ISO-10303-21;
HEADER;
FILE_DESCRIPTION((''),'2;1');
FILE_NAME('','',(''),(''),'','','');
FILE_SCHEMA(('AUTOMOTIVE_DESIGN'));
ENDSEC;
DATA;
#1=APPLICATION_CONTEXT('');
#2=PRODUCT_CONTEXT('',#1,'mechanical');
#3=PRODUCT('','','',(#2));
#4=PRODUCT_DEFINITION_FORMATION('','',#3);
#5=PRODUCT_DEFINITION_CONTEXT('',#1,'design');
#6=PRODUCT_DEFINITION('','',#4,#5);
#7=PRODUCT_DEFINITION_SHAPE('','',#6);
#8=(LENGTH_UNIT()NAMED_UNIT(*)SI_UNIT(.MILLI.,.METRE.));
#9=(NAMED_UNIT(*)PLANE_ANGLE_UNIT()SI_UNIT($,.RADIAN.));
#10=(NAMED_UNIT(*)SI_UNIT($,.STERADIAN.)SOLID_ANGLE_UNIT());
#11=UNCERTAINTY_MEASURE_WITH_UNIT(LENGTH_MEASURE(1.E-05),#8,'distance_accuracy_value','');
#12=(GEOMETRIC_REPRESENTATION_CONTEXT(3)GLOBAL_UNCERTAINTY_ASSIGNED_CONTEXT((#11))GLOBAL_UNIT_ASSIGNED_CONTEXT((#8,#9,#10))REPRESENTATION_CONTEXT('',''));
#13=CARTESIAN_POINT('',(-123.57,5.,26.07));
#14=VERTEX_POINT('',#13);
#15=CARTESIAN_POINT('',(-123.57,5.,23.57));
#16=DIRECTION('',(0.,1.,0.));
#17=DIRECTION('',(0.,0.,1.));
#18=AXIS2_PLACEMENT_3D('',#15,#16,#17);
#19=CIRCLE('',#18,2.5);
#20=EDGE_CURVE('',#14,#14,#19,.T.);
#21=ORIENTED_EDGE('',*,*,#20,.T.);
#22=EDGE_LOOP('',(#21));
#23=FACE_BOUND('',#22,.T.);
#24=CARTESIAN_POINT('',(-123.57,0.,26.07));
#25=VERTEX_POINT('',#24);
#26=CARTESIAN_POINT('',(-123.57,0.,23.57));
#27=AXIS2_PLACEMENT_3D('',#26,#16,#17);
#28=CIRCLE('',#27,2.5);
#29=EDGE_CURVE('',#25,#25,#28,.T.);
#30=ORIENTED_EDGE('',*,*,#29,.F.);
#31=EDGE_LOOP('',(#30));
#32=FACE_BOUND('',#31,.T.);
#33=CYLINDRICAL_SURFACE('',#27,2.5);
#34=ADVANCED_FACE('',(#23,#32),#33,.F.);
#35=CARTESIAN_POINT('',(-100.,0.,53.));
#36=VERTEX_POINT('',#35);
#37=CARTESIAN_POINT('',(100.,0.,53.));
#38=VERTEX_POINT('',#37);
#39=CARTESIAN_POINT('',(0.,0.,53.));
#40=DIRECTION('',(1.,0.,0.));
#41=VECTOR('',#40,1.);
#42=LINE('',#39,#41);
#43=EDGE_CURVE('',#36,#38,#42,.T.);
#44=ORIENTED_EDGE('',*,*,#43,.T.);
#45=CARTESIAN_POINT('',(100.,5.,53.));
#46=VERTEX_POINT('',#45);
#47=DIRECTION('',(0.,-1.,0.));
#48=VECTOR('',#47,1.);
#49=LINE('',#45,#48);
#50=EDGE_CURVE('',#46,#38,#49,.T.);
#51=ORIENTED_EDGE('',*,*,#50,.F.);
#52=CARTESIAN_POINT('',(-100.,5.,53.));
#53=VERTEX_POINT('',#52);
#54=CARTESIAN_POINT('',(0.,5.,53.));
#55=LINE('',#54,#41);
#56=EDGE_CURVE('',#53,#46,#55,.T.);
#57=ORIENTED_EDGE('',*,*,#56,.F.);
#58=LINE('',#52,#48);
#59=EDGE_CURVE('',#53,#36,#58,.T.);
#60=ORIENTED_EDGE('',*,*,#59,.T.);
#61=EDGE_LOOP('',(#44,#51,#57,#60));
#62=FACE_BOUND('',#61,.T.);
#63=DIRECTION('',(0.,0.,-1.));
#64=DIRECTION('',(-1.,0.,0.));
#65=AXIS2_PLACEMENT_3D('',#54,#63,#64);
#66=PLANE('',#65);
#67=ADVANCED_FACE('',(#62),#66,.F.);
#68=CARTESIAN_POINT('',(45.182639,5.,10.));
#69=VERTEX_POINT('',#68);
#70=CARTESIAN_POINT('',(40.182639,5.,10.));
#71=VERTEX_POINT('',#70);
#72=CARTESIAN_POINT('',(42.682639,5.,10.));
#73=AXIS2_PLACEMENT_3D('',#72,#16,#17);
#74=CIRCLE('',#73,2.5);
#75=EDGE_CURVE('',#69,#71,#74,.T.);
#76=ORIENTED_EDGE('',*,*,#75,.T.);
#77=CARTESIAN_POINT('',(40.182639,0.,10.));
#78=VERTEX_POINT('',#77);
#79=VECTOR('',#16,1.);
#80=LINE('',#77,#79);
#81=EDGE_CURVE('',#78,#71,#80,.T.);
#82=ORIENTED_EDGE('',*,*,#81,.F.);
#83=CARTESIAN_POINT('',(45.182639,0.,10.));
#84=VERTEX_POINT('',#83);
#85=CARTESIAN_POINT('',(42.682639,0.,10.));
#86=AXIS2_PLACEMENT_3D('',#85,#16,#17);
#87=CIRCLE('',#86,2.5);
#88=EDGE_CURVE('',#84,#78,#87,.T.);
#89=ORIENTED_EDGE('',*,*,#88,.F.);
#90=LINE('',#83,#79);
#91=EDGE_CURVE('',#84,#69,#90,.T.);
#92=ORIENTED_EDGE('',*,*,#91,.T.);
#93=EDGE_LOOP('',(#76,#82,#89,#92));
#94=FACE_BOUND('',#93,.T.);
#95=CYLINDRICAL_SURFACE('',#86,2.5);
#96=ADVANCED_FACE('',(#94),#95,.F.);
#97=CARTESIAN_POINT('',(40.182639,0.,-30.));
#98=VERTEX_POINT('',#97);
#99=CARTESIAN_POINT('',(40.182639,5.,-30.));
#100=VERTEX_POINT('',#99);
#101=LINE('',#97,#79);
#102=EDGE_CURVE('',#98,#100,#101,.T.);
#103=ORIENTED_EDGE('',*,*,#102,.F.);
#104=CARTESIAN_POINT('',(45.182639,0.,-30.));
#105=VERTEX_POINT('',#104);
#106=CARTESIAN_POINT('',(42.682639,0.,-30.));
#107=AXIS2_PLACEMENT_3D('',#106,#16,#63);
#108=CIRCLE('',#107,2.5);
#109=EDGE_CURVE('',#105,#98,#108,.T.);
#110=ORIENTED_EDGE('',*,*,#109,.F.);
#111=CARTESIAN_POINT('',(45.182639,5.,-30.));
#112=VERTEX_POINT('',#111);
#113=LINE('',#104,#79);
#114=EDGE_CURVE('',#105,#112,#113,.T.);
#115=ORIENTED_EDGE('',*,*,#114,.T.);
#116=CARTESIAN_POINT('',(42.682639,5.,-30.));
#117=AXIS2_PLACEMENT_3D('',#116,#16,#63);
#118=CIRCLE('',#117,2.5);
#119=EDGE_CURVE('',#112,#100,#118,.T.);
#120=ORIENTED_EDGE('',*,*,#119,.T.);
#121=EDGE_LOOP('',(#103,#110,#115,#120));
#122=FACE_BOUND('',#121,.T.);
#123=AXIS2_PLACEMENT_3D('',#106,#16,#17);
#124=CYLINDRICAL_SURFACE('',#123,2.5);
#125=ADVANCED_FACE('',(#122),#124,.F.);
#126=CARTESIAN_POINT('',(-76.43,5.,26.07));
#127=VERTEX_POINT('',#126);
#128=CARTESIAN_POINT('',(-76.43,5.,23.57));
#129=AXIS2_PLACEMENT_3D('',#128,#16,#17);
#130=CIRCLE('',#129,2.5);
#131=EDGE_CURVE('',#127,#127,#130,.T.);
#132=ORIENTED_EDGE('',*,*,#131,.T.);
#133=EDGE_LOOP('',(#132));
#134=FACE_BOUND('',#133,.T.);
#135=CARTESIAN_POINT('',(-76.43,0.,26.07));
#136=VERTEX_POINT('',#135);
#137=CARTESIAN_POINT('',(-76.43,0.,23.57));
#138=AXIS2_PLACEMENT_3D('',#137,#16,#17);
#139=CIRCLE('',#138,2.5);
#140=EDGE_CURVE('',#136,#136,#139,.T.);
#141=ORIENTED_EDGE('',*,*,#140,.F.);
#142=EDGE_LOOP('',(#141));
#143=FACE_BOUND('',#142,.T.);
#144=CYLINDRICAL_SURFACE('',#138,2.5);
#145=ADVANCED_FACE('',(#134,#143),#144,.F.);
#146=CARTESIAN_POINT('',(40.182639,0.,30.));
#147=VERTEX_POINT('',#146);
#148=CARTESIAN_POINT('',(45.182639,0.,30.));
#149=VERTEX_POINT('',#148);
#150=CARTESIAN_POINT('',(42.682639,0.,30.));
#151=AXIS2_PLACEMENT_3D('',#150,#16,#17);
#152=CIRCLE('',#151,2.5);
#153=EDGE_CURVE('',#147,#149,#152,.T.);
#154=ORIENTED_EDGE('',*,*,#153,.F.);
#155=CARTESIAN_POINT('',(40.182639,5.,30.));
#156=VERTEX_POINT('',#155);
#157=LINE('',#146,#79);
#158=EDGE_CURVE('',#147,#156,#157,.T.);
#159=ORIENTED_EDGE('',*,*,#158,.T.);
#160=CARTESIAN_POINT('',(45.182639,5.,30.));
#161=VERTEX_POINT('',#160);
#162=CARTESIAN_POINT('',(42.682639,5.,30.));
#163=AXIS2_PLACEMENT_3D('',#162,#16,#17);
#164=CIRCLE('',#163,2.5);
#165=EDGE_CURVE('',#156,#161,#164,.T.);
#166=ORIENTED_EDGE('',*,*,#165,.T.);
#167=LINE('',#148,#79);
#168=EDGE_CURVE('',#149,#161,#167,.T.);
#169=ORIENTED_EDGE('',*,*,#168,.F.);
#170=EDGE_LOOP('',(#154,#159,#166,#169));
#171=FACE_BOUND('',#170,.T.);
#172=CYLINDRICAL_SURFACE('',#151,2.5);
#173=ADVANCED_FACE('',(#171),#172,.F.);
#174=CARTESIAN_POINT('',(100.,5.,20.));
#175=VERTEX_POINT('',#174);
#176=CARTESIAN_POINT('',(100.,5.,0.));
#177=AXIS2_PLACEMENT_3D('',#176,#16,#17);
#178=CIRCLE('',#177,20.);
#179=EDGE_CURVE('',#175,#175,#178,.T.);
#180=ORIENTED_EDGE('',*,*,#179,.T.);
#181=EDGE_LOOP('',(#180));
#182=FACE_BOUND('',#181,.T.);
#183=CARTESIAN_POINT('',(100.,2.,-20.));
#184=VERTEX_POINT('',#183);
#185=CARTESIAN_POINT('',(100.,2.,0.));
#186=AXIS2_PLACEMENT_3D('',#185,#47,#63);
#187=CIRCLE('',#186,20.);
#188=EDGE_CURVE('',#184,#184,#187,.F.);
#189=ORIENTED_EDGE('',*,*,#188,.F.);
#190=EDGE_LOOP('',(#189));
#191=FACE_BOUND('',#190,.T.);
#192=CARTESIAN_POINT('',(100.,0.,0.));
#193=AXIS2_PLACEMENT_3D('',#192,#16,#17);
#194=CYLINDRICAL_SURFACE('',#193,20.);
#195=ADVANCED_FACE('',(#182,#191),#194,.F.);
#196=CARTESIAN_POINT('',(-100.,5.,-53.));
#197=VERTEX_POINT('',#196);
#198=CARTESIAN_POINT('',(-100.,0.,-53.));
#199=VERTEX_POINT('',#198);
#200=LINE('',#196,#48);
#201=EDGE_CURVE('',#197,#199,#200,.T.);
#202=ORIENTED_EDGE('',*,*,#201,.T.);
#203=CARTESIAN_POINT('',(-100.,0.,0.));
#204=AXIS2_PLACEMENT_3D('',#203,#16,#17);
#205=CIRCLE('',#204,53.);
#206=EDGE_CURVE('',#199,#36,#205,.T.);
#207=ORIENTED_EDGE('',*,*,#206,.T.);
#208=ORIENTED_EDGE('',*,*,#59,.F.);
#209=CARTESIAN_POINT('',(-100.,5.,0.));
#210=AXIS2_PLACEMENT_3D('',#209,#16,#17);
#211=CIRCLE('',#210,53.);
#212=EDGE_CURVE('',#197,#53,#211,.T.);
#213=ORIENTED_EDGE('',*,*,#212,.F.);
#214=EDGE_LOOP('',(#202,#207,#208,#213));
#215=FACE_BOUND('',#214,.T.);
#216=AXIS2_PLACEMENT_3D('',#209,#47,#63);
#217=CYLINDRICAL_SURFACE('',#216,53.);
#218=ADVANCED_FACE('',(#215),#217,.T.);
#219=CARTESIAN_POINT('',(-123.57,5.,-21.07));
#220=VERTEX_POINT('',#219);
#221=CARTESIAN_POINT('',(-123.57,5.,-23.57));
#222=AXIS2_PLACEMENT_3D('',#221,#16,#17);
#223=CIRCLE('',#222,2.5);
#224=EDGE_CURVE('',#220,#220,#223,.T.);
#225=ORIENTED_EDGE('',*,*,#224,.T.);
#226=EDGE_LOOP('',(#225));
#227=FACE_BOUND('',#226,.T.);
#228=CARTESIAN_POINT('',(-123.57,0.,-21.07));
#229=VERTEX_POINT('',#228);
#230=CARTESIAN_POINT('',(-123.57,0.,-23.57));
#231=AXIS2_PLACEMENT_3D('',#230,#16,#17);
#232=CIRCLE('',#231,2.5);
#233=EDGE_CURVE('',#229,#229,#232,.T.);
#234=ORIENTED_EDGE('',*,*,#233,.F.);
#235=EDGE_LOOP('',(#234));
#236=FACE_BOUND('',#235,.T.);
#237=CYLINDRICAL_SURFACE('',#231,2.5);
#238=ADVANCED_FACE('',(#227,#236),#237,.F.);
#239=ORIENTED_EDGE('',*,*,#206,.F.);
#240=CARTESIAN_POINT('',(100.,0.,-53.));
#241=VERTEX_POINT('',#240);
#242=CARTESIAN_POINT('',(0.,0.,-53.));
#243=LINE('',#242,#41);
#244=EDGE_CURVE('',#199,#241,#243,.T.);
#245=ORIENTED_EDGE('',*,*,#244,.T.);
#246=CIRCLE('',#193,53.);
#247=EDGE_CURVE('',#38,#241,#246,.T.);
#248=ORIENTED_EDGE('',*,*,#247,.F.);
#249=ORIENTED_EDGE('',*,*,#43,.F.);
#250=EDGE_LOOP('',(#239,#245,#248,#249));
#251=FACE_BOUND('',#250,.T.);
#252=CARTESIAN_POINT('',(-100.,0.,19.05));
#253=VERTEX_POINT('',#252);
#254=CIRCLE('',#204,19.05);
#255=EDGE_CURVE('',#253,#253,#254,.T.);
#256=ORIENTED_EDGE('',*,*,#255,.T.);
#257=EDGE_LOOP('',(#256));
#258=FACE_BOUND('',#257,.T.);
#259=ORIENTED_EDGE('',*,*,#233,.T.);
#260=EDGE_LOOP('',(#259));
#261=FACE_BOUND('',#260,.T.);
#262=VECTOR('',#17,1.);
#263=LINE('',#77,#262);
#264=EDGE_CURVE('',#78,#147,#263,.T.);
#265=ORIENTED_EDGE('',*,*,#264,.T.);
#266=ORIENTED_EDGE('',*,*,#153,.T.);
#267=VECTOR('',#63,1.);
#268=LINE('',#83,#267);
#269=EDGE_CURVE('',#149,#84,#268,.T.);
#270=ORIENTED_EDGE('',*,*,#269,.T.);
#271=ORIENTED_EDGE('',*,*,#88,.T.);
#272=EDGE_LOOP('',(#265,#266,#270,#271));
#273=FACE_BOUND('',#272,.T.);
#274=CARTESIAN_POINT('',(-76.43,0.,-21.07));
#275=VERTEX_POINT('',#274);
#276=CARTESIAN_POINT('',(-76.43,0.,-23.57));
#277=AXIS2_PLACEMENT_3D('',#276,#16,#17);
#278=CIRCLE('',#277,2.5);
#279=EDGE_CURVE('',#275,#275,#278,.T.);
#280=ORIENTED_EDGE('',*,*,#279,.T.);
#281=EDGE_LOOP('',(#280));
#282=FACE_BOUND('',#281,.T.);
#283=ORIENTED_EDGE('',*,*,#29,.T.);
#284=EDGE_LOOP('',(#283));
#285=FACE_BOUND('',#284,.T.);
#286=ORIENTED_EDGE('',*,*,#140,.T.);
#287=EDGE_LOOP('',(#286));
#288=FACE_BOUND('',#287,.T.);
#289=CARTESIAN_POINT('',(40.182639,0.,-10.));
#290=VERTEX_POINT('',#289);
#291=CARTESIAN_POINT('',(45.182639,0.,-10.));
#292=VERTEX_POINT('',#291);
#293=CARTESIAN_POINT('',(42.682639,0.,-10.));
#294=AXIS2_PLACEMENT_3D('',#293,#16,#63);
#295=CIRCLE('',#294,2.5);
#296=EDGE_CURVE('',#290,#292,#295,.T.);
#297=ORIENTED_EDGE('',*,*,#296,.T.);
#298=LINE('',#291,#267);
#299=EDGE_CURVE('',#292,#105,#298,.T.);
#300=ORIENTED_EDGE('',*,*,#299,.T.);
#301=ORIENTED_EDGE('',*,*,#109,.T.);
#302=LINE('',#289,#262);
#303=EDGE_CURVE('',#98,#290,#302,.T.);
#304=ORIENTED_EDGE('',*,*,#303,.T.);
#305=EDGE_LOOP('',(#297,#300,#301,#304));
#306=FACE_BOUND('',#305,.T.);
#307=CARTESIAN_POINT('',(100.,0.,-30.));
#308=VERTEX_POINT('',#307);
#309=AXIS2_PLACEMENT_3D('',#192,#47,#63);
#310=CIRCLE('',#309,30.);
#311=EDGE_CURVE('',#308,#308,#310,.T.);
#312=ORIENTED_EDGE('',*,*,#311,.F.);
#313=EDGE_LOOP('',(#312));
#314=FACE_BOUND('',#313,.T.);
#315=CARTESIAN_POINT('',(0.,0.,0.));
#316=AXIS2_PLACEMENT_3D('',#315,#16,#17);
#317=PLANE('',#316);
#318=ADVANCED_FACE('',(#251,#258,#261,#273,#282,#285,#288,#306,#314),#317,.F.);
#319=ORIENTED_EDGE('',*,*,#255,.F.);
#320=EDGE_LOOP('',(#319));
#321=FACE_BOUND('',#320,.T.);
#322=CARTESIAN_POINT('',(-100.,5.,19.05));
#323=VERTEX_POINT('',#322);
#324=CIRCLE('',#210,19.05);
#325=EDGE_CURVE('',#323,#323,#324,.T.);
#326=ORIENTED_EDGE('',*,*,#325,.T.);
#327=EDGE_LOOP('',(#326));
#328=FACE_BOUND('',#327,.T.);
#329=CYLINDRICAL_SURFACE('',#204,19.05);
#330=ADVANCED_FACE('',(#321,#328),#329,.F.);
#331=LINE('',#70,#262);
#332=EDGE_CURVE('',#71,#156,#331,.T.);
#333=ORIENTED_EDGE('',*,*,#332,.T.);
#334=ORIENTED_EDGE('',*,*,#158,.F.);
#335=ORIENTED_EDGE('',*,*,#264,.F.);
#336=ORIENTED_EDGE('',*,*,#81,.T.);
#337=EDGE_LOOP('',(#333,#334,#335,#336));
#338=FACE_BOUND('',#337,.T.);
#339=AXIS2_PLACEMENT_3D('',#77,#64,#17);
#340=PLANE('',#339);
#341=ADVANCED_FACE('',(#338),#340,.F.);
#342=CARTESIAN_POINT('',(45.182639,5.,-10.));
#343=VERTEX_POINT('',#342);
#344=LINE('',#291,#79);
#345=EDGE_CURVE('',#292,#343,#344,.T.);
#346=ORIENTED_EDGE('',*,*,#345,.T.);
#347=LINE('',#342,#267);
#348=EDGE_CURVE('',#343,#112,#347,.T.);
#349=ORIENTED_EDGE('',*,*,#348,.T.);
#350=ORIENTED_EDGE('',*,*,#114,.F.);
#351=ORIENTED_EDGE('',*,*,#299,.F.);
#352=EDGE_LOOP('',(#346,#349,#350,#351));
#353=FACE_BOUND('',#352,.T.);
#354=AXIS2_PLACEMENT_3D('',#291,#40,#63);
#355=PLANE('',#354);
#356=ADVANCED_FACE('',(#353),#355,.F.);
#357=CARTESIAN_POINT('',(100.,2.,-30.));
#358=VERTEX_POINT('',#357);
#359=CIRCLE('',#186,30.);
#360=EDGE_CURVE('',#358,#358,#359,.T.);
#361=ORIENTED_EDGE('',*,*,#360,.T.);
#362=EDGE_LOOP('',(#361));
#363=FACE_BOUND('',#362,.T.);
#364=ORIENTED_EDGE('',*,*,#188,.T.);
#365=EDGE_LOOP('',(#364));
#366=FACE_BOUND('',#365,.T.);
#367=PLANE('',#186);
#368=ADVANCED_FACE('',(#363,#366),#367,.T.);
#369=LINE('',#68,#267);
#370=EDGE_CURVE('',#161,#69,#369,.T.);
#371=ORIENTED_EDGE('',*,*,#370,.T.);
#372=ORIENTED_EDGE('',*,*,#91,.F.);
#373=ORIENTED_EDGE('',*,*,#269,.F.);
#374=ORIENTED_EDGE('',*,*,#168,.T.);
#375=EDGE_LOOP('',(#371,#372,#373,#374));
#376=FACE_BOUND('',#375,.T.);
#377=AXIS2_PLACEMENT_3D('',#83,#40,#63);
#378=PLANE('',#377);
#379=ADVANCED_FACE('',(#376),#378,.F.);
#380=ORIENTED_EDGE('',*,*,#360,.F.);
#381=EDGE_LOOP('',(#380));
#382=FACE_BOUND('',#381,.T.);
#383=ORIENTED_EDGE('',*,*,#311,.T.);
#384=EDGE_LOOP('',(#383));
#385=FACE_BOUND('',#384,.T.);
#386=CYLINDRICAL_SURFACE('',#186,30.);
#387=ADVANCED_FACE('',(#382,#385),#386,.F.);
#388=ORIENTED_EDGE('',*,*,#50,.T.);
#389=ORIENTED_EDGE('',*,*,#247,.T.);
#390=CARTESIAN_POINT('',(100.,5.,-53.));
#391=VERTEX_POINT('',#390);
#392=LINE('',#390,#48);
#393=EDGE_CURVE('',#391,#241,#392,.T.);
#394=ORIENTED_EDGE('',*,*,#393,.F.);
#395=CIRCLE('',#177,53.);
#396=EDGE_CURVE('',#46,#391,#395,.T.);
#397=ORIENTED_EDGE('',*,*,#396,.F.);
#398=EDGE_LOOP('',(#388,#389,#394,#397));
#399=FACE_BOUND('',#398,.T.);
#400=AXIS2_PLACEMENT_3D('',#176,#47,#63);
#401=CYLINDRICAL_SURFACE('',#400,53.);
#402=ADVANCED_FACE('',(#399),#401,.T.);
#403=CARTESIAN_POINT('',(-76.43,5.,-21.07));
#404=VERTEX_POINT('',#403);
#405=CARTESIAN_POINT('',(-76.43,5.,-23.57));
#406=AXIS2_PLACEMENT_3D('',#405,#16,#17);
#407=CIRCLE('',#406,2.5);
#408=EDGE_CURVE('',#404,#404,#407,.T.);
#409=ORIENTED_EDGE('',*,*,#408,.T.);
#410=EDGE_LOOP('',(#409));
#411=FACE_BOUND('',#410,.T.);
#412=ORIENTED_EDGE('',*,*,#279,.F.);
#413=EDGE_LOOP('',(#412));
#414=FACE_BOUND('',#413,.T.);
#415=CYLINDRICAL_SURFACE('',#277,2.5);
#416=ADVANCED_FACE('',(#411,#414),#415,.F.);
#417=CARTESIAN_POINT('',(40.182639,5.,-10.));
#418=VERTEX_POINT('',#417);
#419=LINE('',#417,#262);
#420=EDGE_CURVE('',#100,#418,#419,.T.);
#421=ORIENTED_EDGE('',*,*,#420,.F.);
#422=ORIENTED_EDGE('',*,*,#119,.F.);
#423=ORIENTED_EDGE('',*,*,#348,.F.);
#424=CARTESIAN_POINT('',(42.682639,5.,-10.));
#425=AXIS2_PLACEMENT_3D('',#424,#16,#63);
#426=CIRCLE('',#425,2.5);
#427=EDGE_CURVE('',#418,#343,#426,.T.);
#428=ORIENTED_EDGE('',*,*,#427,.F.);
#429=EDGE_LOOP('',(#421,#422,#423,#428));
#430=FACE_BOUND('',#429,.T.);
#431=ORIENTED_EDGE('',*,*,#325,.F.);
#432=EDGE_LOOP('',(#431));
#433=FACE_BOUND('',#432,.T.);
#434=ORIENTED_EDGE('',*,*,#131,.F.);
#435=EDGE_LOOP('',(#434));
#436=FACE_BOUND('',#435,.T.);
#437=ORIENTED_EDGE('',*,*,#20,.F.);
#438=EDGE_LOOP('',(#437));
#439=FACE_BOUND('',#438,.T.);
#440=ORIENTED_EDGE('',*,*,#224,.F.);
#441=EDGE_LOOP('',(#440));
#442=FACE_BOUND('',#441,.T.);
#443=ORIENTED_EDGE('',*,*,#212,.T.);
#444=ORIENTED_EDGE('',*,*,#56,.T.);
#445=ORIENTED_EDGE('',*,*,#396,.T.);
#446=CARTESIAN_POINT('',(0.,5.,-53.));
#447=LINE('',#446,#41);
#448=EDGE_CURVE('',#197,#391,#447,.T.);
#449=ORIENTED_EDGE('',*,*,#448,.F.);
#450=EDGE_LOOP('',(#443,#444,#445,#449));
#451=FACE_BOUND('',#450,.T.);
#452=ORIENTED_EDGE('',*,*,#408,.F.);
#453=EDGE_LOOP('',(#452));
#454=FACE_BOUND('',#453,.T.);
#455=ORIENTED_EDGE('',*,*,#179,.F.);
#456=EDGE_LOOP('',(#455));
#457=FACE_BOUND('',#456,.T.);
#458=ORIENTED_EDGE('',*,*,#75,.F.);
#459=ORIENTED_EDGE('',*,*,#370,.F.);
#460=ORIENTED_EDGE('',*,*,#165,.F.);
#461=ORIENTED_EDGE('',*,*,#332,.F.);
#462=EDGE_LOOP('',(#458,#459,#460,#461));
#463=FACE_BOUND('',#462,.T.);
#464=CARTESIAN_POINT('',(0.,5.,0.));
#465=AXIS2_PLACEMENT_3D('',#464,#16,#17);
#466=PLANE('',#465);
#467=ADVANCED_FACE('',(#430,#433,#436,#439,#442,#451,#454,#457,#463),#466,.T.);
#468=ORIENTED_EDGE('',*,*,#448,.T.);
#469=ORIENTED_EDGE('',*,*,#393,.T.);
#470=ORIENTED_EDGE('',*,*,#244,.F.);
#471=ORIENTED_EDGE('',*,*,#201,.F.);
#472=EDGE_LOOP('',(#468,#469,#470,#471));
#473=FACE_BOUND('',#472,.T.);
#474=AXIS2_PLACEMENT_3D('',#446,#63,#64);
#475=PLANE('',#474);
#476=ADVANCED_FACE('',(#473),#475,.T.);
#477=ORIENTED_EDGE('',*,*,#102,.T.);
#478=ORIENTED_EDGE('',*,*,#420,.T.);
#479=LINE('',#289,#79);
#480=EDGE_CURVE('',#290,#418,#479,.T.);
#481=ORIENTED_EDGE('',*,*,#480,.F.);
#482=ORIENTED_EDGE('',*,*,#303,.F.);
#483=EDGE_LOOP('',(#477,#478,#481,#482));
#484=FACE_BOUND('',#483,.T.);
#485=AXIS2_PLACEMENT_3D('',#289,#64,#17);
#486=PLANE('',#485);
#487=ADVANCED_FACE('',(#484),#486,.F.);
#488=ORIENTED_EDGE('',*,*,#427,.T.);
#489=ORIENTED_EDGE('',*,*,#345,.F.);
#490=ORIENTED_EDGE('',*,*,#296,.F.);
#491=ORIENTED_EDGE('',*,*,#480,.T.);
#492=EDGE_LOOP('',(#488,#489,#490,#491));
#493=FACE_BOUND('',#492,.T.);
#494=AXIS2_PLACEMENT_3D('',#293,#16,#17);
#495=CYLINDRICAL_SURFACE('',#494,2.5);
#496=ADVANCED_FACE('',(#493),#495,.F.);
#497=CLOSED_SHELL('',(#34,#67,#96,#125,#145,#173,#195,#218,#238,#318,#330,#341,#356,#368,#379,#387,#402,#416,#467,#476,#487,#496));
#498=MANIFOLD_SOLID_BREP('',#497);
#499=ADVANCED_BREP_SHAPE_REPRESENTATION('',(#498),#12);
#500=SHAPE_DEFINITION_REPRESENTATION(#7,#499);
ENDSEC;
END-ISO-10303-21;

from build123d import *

# Parameters (mm, degrees)
BOSS_EXTRUDE1_DEPTH = 5
SKETCH2_R           = 20
CUT_EXTRUDE1_DEPTH  = 6
SKETCH3_R           = 30
CUT_EXTRUDE2_DEPTH  = 2
SKETCH4_R           = 2.5
SKETCH4_R_2         = 19.05
CUT_EXTRUDE3_DEPTH  = 6


with BuildPart() as part:
    # Sketch1 → Boss-Extrude1 (new body)
    with BuildSketch(Plane(origin=(0, 0, 0), x_dir=(1, 0, 0), z_dir=(0, 1, 0))):
        with BuildLine():
            ThreePointArc((-100, 53), (-153, 0), (-100, -53))
            Line((-100, -53), (-100, 53))
        make_face()
        with BuildLine():
            Line((-100, 53), (-100, -53))
            ThreePointArc((-100, -53), (-62.523340597, -37.476659403), (-47, 0))
            ThreePointArc((-47, 0), (-62.523340597, 37.476659403), (-100, 53))
        make_face()
        with BuildLine():
            ThreePointArc((-47, 0), (-62.523340597, -37.476659403), (-100, -53))
            Line((-100, -53), (100, -53))
            ThreePointArc((100, -53), (47, 0), (100, 53))
            Line((100, 53), (-100, 53))
            ThreePointArc((-100, 53), (-62.523340597, 37.476659403), (-47, 0))
        make_face()
        with BuildLine():
            ThreePointArc((100, 53), (47, 0), (100, -53))
            Line((100, -53), (100, 53))
        make_face()
        with BuildLine():
            Line((100, 53), (100, -53))
            ThreePointArc((100, -53), (137.476659403, -37.476659403), (153, 0))
            ThreePointArc((153, 0), (137.476659403, 37.476659403), (100, 53))
        make_face()
    extrude(amount=BOSS_EXTRUDE1_DEPTH)

    # Sketch2 → Cut-Extrude1 (cut, through all)
    with BuildSketch(Plane(origin=(0, 5, 0), x_dir=(1, 0, 0), z_dir=(0, 1, 0))):
        with Locations((100, 0)):
            Circle(SKETCH2_R)
    extrude(amount=-CUT_EXTRUDE1_DEPTH, mode=Mode.SUBTRACT)

    # Sketch3 → Cut-Extrude2 (cut)
    with BuildSketch(Plane.XZ):
        with Locations((100, 0)):
            Circle(SKETCH3_R)
    extrude(amount=-CUT_EXTRUDE2_DEPTH, mode=Mode.SUBTRACT)

    # Sketch4 → Cut-Extrude3 (cut, through all)
    with BuildSketch(Plane(origin=(0, 5, 0), x_dir=(1, 0, 0), z_dir=(0, 1, 0))):
        with Locations((-123.57, 23.57)):
            Circle(SKETCH4_R)
        with Locations((-76.43, 23.57)):
            Circle(SKETCH4_R)
        with Locations((-76.43, -23.57)):
            Circle(SKETCH4_R)
        with Locations((-123.57, -23.57)):
            Circle(SKETCH4_R)
        with Locations((-100, 0)):
            Circle(SKETCH4_R_2)
        with BuildLine():
            Line((45.182638641, 10), (45.182638641, 30))
            ThreePointArc((45.182638641, 30), (42.682638641, 32.5), (40.182638641, 30))
            Line((40.182638641, 30), (40.182638641, 10))
            ThreePointArc((40.182638641, 10), (42.682638641, 7.5), (45.182638641, 10))
        make_face()
        with BuildLine():
            Line((40.182638641, -10), (40.182638641, -30))
            ThreePointArc((40.182638641, -30), (42.682638641, -32.5), (45.182638641, -30))
            Line((45.182638641, -30), (45.182638641, -10))
            ThreePointArc((45.182638641, -10), (42.682638641, -7.5), (40.182638641, -10))
        make_face()
    extrude(amount=-CUT_EXTRUDE3_DEPTH, mode=Mode.SUBTRACT)


solid = part.part
